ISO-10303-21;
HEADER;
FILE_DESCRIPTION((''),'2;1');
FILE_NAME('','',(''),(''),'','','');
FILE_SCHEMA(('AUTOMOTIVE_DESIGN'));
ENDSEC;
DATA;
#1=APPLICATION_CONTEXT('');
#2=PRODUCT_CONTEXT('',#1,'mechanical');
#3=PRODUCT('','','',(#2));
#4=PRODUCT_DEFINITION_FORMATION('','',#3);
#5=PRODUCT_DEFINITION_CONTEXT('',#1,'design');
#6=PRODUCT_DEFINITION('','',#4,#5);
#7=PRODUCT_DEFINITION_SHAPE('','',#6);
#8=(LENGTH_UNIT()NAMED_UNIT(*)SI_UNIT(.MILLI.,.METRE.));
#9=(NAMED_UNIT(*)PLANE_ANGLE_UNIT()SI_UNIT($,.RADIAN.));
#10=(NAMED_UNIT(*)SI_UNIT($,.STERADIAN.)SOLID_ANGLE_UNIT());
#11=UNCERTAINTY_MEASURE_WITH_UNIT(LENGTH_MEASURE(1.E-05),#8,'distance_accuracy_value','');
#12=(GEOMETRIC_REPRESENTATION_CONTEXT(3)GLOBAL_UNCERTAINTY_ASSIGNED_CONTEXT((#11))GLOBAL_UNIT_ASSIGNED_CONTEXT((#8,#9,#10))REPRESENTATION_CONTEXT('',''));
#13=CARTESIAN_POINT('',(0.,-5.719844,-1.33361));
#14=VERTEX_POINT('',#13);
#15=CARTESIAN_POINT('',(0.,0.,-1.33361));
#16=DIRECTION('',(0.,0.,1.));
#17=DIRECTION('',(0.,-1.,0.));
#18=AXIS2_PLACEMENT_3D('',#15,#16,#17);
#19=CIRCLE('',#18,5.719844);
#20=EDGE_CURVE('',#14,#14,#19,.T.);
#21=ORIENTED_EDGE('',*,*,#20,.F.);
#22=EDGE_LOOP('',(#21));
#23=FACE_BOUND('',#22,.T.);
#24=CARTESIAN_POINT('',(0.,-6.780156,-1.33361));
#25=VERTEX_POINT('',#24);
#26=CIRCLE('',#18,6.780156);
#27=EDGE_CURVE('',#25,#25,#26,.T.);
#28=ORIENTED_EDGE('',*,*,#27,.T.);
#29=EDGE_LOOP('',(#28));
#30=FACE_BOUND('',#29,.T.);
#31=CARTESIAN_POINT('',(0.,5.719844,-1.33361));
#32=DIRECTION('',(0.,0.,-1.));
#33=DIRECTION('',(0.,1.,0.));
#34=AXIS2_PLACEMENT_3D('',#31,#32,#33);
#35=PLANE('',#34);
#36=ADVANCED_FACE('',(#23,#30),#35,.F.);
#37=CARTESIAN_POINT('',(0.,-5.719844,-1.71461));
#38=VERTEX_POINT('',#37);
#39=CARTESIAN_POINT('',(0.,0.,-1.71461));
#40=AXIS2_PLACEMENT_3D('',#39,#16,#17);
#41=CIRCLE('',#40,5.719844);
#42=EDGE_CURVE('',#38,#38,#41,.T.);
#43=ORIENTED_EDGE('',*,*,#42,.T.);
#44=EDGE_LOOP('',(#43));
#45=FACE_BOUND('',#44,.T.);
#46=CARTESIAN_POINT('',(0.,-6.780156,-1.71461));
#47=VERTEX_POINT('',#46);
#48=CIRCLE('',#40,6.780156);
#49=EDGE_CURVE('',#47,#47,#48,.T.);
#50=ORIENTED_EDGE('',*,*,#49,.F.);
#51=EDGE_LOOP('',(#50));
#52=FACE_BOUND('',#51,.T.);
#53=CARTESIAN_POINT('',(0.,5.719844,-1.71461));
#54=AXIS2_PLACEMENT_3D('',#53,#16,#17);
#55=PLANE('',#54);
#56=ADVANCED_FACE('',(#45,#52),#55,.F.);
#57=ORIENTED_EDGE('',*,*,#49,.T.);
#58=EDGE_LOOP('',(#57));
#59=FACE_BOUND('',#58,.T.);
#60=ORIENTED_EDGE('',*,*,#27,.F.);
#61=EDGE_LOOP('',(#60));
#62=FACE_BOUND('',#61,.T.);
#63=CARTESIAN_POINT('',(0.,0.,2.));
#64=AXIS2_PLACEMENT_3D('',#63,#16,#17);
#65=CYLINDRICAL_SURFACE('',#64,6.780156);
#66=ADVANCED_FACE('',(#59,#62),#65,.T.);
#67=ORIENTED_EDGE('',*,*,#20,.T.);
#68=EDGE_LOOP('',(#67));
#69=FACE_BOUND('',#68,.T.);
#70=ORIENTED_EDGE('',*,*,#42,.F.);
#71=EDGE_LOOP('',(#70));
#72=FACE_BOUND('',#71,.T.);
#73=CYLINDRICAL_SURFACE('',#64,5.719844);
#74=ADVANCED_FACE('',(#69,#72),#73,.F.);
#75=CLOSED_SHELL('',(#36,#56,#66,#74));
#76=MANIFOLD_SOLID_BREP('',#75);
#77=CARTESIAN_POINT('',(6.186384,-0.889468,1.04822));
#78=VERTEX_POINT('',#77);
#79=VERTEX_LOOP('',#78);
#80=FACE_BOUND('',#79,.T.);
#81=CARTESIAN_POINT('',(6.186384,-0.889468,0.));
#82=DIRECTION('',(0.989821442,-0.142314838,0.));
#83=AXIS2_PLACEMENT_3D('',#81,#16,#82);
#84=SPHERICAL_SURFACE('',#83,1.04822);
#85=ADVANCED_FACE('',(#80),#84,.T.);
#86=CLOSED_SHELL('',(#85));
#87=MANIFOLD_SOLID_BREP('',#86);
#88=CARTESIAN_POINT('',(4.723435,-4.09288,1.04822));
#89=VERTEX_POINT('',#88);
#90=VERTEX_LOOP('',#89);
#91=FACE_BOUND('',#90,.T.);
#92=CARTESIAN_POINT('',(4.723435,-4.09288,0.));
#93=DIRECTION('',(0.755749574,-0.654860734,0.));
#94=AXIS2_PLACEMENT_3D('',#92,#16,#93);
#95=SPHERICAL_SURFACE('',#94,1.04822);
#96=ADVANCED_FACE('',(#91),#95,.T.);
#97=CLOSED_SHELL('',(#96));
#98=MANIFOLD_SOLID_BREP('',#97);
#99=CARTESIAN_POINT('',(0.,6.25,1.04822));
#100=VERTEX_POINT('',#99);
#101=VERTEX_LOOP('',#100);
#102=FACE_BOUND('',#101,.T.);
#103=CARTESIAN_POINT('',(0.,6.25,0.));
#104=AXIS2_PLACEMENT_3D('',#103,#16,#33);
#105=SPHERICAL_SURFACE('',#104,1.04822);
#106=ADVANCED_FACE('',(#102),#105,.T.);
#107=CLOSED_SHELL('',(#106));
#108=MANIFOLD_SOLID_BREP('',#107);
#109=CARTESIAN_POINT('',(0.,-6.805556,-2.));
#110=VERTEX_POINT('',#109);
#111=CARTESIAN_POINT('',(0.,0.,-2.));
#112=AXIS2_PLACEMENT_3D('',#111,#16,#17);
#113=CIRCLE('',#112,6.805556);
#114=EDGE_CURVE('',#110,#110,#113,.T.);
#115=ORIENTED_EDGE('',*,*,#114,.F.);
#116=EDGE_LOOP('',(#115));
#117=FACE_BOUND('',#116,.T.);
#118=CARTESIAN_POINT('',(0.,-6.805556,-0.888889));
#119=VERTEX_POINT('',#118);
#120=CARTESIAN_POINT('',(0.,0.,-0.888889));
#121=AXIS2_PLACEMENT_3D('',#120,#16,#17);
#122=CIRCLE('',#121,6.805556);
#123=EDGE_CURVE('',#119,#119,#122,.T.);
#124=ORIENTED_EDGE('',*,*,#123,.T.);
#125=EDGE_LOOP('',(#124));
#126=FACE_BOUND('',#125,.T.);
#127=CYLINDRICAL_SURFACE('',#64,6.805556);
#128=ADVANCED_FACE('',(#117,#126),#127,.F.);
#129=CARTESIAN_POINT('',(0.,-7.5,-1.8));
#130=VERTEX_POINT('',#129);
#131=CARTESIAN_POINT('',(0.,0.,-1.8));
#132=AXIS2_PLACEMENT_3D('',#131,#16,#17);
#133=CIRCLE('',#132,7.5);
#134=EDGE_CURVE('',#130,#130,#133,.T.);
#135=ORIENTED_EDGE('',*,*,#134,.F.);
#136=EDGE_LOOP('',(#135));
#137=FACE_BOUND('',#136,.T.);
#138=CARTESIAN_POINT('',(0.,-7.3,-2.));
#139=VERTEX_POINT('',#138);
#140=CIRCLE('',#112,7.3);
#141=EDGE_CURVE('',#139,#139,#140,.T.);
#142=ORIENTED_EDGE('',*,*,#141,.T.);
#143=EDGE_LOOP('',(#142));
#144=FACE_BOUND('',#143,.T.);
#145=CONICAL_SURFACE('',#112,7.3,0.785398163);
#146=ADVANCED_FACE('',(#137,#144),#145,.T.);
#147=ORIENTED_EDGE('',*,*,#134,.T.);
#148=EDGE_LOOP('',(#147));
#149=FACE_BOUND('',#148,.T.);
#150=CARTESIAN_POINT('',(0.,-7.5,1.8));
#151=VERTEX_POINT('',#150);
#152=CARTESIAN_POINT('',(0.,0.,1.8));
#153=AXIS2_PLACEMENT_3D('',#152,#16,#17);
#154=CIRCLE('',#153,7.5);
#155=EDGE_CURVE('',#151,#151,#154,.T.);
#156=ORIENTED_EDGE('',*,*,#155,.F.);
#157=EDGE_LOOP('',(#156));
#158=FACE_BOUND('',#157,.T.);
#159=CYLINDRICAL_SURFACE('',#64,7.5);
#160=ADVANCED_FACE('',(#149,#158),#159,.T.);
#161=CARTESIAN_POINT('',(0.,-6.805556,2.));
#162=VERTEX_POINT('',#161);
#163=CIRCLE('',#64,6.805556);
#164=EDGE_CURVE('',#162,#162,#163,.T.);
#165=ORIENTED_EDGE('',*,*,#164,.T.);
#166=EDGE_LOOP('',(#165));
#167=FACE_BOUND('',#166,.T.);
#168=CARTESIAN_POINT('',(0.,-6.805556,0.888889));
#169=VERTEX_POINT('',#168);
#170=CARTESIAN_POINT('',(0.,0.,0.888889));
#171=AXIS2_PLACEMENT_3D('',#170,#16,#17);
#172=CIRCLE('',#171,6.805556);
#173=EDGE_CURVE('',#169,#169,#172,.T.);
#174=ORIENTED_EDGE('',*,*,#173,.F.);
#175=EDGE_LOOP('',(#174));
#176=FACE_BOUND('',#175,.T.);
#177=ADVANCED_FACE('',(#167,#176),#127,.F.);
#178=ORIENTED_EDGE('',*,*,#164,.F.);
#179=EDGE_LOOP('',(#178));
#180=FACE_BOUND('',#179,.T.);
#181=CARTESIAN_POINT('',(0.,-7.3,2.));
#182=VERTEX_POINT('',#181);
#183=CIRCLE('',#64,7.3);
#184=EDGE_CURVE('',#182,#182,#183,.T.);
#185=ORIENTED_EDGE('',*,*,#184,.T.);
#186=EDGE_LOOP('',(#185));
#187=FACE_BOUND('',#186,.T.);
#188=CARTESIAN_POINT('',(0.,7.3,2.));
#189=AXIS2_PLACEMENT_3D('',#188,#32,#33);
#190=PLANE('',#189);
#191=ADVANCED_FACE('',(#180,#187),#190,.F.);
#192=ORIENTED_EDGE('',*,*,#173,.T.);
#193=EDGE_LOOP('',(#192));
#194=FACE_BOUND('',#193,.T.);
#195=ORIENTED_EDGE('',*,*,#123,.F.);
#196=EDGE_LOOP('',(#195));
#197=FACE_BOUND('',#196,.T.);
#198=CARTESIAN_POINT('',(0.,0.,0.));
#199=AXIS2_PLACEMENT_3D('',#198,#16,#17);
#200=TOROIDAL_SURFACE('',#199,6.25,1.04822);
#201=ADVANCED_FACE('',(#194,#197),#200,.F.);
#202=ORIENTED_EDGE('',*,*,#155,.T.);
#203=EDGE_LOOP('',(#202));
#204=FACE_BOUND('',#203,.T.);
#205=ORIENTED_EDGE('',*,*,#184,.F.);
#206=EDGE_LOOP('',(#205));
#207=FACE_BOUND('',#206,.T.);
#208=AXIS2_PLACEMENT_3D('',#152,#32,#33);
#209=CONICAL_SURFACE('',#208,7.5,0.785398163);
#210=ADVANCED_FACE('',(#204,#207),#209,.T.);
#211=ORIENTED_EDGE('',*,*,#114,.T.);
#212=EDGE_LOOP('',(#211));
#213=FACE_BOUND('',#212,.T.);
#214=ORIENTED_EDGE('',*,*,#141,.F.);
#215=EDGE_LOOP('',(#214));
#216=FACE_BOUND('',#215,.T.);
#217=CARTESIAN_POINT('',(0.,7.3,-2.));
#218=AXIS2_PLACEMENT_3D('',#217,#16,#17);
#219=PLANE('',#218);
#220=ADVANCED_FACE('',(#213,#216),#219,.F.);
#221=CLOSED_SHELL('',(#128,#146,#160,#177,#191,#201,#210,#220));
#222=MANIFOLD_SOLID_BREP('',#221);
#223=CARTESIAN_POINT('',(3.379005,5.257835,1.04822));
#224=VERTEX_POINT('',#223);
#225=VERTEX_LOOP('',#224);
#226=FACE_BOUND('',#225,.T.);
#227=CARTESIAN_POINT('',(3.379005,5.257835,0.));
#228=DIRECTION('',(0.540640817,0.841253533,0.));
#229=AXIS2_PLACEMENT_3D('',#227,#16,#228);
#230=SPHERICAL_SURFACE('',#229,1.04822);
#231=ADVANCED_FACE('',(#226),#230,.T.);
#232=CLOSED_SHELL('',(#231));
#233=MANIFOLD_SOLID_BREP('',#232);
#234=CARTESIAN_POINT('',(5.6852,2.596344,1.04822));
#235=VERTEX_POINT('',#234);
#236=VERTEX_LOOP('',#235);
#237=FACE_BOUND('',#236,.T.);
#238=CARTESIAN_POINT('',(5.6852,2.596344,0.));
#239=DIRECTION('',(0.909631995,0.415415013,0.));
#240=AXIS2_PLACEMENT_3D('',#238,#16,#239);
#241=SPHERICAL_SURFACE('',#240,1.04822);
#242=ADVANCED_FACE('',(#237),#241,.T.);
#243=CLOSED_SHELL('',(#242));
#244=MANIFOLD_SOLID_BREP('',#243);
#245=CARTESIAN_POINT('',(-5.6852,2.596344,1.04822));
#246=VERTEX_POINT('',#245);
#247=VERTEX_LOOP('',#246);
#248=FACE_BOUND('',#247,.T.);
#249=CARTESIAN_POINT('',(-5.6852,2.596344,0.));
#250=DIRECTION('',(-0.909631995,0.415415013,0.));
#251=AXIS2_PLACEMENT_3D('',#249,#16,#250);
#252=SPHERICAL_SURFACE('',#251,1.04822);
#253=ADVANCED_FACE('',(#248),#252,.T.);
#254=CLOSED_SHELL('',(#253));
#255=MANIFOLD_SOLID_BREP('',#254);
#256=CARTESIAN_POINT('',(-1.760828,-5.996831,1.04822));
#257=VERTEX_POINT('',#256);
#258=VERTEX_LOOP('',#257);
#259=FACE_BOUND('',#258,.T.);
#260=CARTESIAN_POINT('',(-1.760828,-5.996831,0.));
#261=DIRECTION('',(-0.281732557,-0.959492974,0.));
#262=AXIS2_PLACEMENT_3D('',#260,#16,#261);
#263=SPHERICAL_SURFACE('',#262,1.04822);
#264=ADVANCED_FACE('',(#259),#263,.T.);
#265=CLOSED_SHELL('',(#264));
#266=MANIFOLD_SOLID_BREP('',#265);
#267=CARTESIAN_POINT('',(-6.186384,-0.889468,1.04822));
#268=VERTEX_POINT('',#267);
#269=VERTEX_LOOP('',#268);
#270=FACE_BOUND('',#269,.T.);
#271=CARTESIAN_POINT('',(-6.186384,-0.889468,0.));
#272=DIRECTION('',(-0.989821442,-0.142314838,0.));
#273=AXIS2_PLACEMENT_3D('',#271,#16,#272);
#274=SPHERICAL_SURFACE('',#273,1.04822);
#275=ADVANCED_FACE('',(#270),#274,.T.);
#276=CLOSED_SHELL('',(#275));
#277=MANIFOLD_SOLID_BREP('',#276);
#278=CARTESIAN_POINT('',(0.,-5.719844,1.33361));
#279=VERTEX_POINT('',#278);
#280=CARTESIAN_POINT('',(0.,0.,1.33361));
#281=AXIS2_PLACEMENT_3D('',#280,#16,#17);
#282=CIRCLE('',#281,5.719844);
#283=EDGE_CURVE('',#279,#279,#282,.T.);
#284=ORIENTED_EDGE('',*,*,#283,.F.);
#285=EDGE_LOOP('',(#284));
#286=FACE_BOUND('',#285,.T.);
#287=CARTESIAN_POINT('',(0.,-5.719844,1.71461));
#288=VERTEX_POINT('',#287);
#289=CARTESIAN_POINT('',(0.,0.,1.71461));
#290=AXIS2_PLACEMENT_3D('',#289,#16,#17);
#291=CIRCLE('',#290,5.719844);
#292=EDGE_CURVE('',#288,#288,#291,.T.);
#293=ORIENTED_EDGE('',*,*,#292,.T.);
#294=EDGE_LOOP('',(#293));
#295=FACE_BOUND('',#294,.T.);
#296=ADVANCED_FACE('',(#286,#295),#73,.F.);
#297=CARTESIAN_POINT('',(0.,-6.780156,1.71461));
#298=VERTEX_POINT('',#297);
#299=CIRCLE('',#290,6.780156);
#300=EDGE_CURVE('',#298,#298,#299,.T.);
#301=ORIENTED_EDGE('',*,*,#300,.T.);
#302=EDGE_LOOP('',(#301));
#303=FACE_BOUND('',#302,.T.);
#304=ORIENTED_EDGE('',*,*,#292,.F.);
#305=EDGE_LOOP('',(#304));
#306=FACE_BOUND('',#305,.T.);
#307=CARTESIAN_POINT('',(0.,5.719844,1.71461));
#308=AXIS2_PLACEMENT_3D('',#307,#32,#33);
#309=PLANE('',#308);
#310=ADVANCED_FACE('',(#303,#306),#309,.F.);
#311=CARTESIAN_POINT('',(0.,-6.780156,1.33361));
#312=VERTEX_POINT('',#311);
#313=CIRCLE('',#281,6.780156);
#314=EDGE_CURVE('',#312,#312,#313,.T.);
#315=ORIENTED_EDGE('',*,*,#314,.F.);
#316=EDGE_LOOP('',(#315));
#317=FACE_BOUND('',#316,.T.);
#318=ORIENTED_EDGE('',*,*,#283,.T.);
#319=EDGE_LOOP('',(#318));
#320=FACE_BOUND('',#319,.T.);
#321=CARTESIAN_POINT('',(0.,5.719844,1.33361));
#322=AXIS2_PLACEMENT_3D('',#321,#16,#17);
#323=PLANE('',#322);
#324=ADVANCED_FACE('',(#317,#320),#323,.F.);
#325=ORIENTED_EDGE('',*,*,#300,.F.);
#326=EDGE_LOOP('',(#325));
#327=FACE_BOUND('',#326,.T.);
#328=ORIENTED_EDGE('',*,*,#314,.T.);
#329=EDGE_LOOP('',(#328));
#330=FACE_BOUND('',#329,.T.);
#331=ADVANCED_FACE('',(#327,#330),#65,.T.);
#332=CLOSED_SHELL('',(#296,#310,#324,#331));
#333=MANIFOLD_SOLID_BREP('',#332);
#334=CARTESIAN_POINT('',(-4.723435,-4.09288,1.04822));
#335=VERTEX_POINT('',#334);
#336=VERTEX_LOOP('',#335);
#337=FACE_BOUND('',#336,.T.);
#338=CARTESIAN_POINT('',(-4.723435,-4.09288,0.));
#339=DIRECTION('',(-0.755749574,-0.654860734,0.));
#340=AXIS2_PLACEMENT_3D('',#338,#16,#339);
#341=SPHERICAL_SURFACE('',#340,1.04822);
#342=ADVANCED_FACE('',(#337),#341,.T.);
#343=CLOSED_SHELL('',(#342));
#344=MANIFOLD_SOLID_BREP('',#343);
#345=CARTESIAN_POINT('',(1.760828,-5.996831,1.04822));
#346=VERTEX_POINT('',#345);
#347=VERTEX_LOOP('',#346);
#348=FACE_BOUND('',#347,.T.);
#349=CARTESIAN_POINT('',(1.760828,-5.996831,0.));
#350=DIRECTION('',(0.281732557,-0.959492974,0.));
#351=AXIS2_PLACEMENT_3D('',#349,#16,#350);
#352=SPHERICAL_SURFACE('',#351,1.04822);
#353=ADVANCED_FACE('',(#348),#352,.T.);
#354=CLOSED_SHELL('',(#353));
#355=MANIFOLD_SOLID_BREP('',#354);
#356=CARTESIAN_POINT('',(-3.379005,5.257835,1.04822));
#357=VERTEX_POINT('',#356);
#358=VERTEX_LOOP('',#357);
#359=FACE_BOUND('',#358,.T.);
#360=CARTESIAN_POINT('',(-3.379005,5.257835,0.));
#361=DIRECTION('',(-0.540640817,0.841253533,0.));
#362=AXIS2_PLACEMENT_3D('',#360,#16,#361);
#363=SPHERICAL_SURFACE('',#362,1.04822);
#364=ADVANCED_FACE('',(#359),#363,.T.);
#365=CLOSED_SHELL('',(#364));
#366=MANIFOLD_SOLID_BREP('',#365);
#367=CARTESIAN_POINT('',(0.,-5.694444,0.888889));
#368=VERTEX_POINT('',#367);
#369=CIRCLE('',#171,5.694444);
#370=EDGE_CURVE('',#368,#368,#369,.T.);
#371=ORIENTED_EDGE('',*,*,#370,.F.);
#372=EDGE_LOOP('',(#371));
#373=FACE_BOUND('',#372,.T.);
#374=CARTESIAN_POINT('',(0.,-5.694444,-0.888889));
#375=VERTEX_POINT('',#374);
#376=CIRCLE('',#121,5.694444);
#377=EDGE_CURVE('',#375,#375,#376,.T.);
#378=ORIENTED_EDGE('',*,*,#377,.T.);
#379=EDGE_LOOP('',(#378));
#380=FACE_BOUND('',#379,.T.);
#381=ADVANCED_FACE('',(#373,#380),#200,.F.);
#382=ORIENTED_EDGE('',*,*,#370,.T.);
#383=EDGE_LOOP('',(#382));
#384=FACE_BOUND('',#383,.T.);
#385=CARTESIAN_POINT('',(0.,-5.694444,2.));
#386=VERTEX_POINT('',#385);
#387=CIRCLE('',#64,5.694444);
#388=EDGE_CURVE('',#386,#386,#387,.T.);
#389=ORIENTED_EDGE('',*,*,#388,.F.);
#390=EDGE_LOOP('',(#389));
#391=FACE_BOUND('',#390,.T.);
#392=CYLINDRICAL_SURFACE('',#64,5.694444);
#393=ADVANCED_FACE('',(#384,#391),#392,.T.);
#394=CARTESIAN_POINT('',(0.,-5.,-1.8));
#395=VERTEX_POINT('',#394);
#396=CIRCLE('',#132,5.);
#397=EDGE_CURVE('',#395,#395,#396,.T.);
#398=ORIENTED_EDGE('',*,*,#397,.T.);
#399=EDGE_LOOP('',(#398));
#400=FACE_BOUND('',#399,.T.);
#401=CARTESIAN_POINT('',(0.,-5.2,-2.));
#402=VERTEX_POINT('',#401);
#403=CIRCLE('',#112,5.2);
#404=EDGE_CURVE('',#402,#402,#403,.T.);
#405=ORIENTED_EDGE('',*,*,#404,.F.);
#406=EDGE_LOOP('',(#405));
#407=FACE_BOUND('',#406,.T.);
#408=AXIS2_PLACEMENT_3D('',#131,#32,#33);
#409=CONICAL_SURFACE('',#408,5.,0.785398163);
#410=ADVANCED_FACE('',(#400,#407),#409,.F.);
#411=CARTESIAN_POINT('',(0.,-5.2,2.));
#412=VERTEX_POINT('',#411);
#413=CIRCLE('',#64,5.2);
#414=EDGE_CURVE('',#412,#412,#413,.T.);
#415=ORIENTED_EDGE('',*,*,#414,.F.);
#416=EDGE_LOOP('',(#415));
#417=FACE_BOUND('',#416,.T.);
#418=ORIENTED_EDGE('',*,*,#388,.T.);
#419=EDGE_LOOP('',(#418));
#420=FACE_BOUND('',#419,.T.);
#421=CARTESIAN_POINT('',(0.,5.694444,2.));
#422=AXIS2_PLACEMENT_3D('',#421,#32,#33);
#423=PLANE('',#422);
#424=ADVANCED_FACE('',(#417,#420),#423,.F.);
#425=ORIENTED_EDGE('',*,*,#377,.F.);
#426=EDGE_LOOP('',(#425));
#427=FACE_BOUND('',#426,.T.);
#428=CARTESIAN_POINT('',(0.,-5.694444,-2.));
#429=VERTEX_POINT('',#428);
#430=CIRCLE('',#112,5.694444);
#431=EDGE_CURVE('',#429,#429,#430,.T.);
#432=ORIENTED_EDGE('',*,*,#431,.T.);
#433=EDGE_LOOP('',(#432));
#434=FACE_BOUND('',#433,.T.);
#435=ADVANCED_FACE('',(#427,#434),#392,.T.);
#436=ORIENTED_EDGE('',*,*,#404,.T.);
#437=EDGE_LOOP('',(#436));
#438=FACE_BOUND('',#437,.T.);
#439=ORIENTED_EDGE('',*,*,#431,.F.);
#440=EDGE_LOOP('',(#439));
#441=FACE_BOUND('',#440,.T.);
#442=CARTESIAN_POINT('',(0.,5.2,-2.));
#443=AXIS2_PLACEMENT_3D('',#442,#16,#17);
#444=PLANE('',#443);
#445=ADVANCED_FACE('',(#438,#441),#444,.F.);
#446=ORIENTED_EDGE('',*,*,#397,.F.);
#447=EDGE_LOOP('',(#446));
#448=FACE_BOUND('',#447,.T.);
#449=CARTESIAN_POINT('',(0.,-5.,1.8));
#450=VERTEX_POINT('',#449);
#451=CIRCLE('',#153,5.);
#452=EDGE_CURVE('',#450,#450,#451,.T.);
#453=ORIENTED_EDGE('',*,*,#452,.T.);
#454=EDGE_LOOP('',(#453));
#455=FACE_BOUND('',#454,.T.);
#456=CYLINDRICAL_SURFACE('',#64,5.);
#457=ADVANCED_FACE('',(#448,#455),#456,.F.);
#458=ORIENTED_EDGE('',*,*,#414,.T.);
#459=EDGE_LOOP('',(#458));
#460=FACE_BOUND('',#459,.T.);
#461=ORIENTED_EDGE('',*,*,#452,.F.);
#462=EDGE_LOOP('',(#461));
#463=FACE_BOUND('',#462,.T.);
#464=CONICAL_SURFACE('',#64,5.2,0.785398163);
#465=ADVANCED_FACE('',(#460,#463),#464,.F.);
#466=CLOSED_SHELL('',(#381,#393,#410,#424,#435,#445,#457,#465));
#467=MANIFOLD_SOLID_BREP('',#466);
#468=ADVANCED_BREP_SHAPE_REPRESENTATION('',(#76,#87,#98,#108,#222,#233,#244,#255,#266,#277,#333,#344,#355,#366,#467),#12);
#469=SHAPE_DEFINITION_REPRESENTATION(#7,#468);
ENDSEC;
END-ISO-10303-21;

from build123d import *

# Parameters (mm, degrees)
SKETCH5_W         = 0.381
SKETCH5_H         = 1.060311112
CIRPATTERN1_COUNT = 11


with BuildPart() as part:
    # Sketch5 → Revolve1 (revolve)
    with BuildSketch(Plane(origin=(0, 0, 0), x_dir=(0, 0, -1), z_dir=(1, 0, 0))):
        with BuildLine():
            Line((1.8, 7.5), (-1.8, 7.5))
            Line((-1.8, 7.5), (-2, 7.3))
            Line((-2, 7.3), (-2, 6.805555556))
            Line((-2, 6.805555556), (-0.888888889, 6.805555556))
            ThreePointArc((-0.888888889, 6.805555556), (0, 7.298220126), (0.888888889, 6.805555556))
            Line((0.888888889, 6.805555556), (2, 6.805555556))
            Line((2, 6.805555556), (2, 7.3))
            Line((2, 7.3), (1.8, 7.5))
        make_face()
        with Locations((1.524110063, 6.25)):
            Rectangle(SKETCH5_W, SKETCH5_H)
        with Locations((-1.524110063, 6.25)):
            Rectangle(SKETCH5_W, SKETCH5_H)
    revolve(axis=Axis((0, 0, 2), (0, 0, -1)))


with BuildPart() as body_2:
    # Sketch3 → Revolve3 (revolve)
    with BuildSketch(Plane(origin=(0, 0, 0), x_dir=(0, 0, -1), z_dir=(1, 0, 0))):
        with BuildLine():
            Line((-2, 5.694444444), (-0.888888889, 5.694444444))
            ThreePointArc((-0.888888889, 5.694444444), (0, 5.201779874), (0.888888889, 5.694444444))
            Line((0.888888889, 5.694444444), (2, 5.694444444))
            Line((2, 5.694444444), (2, 5.2))
            Line((2, 5.2), (1.8, 5))
            Line((1.8, 5), (-1.8, 5))
            Line((-1.8, 5), (-2, 5.2))
            Line((-2, 5.2), (-2, 5.694444444))
        make_face()
    revolve(axis=Axis((0, 0, 2), (0, 0, -1)))


with BuildPart() as body_3:
    # Sketch4 → Revolve4 (revolve)
    with BuildSketch(Plane(origin=(0, 0, 0), x_dir=(0, 0, -1), z_dir=(1, 0, 0))):
        with BuildLine():
            Line((-1.048220126, 6.25), (1.048220126, 6.25))
            ThreePointArc((1.048220126, 6.25), (0, 7.298220126), (-1.048220126, 6.25))
        make_face()
    revolve(axis=Axis((0, 6.25, 1.048220126), (0, 0, -1)))


with BuildPart() as cirpattern1_1:
    # CirPattern1: pattern copy
    add(body_3.part.rotate(Axis((0, 0, 0), (0, 0, 1)), 1 * 360 / CIRPATTERN1_COUNT))


with BuildPart() as cirpattern1_2:
    # CirPattern1: pattern copy
    add(body_3.part.rotate(Axis((0, 0, 0), (0, 0, 1)), 2 * 360 / CIRPATTERN1_COUNT))


with BuildPart() as cirpattern1_3:
    # CirPattern1: pattern copy
    add(body_3.part.rotate(Axis((0, 0, 0), (0, 0, 1)), 3 * 360 / CIRPATTERN1_COUNT))


with BuildPart() as cirpattern1_4:
    # CirPattern1: pattern copy
    add(body_3.part.rotate(Axis((0, 0, 0), (0, 0, 1)), 4 * 360 / CIRPATTERN1_COUNT))


with BuildPart() as cirpattern1_5:
    # CirPattern1: pattern copy
    add(body_3.part.rotate(Axis((0, 0, 0), (0, 0, 1)), 5 * 360 / CIRPATTERN1_COUNT))


with BuildPart() as cirpattern1_6:
    # CirPattern1: pattern copy
    add(body_3.part.rotate(Axis((0, 0, 0), (0, 0, 1)), 6 * 360 / CIRPATTERN1_COUNT))


with BuildPart() as cirpattern1_7:
    # CirPattern1: pattern copy
    add(body_3.part.rotate(Axis((0, 0, 0), (0, 0, 1)), 7 * 360 / CIRPATTERN1_COUNT))


with BuildPart() as cirpattern1_8:
    # CirPattern1: pattern copy
    add(body_3.part.rotate(Axis((0, 0, 0), (0, 0, 1)), 8 * 360 / CIRPATTERN1_COUNT))


with BuildPart() as cirpattern1_9:
    # CirPattern1: pattern copy
    add(body_3.part.rotate(Axis((0, 0, 0), (0, 0, 1)), 9 * 360 / CIRPATTERN1_COUNT))


with BuildPart() as cirpattern1_10:
    # CirPattern1: pattern copy
    add(body_3.part.rotate(Axis((0, 0, 0), (0, 0, 1)), 10 * 360 / CIRPATTERN1_COUNT))


solid = Compound([part.part, body_2.part, body_3.part, cirpattern1_1.part, cirpattern1_2.part, cirpattern1_3.part, cirpattern1_4.part, cirpattern1_5.part, cirpattern1_6.part, cirpattern1_7.part, cirpattern1_8.part, cirpattern1_9.part, cirpattern1_10.part])
